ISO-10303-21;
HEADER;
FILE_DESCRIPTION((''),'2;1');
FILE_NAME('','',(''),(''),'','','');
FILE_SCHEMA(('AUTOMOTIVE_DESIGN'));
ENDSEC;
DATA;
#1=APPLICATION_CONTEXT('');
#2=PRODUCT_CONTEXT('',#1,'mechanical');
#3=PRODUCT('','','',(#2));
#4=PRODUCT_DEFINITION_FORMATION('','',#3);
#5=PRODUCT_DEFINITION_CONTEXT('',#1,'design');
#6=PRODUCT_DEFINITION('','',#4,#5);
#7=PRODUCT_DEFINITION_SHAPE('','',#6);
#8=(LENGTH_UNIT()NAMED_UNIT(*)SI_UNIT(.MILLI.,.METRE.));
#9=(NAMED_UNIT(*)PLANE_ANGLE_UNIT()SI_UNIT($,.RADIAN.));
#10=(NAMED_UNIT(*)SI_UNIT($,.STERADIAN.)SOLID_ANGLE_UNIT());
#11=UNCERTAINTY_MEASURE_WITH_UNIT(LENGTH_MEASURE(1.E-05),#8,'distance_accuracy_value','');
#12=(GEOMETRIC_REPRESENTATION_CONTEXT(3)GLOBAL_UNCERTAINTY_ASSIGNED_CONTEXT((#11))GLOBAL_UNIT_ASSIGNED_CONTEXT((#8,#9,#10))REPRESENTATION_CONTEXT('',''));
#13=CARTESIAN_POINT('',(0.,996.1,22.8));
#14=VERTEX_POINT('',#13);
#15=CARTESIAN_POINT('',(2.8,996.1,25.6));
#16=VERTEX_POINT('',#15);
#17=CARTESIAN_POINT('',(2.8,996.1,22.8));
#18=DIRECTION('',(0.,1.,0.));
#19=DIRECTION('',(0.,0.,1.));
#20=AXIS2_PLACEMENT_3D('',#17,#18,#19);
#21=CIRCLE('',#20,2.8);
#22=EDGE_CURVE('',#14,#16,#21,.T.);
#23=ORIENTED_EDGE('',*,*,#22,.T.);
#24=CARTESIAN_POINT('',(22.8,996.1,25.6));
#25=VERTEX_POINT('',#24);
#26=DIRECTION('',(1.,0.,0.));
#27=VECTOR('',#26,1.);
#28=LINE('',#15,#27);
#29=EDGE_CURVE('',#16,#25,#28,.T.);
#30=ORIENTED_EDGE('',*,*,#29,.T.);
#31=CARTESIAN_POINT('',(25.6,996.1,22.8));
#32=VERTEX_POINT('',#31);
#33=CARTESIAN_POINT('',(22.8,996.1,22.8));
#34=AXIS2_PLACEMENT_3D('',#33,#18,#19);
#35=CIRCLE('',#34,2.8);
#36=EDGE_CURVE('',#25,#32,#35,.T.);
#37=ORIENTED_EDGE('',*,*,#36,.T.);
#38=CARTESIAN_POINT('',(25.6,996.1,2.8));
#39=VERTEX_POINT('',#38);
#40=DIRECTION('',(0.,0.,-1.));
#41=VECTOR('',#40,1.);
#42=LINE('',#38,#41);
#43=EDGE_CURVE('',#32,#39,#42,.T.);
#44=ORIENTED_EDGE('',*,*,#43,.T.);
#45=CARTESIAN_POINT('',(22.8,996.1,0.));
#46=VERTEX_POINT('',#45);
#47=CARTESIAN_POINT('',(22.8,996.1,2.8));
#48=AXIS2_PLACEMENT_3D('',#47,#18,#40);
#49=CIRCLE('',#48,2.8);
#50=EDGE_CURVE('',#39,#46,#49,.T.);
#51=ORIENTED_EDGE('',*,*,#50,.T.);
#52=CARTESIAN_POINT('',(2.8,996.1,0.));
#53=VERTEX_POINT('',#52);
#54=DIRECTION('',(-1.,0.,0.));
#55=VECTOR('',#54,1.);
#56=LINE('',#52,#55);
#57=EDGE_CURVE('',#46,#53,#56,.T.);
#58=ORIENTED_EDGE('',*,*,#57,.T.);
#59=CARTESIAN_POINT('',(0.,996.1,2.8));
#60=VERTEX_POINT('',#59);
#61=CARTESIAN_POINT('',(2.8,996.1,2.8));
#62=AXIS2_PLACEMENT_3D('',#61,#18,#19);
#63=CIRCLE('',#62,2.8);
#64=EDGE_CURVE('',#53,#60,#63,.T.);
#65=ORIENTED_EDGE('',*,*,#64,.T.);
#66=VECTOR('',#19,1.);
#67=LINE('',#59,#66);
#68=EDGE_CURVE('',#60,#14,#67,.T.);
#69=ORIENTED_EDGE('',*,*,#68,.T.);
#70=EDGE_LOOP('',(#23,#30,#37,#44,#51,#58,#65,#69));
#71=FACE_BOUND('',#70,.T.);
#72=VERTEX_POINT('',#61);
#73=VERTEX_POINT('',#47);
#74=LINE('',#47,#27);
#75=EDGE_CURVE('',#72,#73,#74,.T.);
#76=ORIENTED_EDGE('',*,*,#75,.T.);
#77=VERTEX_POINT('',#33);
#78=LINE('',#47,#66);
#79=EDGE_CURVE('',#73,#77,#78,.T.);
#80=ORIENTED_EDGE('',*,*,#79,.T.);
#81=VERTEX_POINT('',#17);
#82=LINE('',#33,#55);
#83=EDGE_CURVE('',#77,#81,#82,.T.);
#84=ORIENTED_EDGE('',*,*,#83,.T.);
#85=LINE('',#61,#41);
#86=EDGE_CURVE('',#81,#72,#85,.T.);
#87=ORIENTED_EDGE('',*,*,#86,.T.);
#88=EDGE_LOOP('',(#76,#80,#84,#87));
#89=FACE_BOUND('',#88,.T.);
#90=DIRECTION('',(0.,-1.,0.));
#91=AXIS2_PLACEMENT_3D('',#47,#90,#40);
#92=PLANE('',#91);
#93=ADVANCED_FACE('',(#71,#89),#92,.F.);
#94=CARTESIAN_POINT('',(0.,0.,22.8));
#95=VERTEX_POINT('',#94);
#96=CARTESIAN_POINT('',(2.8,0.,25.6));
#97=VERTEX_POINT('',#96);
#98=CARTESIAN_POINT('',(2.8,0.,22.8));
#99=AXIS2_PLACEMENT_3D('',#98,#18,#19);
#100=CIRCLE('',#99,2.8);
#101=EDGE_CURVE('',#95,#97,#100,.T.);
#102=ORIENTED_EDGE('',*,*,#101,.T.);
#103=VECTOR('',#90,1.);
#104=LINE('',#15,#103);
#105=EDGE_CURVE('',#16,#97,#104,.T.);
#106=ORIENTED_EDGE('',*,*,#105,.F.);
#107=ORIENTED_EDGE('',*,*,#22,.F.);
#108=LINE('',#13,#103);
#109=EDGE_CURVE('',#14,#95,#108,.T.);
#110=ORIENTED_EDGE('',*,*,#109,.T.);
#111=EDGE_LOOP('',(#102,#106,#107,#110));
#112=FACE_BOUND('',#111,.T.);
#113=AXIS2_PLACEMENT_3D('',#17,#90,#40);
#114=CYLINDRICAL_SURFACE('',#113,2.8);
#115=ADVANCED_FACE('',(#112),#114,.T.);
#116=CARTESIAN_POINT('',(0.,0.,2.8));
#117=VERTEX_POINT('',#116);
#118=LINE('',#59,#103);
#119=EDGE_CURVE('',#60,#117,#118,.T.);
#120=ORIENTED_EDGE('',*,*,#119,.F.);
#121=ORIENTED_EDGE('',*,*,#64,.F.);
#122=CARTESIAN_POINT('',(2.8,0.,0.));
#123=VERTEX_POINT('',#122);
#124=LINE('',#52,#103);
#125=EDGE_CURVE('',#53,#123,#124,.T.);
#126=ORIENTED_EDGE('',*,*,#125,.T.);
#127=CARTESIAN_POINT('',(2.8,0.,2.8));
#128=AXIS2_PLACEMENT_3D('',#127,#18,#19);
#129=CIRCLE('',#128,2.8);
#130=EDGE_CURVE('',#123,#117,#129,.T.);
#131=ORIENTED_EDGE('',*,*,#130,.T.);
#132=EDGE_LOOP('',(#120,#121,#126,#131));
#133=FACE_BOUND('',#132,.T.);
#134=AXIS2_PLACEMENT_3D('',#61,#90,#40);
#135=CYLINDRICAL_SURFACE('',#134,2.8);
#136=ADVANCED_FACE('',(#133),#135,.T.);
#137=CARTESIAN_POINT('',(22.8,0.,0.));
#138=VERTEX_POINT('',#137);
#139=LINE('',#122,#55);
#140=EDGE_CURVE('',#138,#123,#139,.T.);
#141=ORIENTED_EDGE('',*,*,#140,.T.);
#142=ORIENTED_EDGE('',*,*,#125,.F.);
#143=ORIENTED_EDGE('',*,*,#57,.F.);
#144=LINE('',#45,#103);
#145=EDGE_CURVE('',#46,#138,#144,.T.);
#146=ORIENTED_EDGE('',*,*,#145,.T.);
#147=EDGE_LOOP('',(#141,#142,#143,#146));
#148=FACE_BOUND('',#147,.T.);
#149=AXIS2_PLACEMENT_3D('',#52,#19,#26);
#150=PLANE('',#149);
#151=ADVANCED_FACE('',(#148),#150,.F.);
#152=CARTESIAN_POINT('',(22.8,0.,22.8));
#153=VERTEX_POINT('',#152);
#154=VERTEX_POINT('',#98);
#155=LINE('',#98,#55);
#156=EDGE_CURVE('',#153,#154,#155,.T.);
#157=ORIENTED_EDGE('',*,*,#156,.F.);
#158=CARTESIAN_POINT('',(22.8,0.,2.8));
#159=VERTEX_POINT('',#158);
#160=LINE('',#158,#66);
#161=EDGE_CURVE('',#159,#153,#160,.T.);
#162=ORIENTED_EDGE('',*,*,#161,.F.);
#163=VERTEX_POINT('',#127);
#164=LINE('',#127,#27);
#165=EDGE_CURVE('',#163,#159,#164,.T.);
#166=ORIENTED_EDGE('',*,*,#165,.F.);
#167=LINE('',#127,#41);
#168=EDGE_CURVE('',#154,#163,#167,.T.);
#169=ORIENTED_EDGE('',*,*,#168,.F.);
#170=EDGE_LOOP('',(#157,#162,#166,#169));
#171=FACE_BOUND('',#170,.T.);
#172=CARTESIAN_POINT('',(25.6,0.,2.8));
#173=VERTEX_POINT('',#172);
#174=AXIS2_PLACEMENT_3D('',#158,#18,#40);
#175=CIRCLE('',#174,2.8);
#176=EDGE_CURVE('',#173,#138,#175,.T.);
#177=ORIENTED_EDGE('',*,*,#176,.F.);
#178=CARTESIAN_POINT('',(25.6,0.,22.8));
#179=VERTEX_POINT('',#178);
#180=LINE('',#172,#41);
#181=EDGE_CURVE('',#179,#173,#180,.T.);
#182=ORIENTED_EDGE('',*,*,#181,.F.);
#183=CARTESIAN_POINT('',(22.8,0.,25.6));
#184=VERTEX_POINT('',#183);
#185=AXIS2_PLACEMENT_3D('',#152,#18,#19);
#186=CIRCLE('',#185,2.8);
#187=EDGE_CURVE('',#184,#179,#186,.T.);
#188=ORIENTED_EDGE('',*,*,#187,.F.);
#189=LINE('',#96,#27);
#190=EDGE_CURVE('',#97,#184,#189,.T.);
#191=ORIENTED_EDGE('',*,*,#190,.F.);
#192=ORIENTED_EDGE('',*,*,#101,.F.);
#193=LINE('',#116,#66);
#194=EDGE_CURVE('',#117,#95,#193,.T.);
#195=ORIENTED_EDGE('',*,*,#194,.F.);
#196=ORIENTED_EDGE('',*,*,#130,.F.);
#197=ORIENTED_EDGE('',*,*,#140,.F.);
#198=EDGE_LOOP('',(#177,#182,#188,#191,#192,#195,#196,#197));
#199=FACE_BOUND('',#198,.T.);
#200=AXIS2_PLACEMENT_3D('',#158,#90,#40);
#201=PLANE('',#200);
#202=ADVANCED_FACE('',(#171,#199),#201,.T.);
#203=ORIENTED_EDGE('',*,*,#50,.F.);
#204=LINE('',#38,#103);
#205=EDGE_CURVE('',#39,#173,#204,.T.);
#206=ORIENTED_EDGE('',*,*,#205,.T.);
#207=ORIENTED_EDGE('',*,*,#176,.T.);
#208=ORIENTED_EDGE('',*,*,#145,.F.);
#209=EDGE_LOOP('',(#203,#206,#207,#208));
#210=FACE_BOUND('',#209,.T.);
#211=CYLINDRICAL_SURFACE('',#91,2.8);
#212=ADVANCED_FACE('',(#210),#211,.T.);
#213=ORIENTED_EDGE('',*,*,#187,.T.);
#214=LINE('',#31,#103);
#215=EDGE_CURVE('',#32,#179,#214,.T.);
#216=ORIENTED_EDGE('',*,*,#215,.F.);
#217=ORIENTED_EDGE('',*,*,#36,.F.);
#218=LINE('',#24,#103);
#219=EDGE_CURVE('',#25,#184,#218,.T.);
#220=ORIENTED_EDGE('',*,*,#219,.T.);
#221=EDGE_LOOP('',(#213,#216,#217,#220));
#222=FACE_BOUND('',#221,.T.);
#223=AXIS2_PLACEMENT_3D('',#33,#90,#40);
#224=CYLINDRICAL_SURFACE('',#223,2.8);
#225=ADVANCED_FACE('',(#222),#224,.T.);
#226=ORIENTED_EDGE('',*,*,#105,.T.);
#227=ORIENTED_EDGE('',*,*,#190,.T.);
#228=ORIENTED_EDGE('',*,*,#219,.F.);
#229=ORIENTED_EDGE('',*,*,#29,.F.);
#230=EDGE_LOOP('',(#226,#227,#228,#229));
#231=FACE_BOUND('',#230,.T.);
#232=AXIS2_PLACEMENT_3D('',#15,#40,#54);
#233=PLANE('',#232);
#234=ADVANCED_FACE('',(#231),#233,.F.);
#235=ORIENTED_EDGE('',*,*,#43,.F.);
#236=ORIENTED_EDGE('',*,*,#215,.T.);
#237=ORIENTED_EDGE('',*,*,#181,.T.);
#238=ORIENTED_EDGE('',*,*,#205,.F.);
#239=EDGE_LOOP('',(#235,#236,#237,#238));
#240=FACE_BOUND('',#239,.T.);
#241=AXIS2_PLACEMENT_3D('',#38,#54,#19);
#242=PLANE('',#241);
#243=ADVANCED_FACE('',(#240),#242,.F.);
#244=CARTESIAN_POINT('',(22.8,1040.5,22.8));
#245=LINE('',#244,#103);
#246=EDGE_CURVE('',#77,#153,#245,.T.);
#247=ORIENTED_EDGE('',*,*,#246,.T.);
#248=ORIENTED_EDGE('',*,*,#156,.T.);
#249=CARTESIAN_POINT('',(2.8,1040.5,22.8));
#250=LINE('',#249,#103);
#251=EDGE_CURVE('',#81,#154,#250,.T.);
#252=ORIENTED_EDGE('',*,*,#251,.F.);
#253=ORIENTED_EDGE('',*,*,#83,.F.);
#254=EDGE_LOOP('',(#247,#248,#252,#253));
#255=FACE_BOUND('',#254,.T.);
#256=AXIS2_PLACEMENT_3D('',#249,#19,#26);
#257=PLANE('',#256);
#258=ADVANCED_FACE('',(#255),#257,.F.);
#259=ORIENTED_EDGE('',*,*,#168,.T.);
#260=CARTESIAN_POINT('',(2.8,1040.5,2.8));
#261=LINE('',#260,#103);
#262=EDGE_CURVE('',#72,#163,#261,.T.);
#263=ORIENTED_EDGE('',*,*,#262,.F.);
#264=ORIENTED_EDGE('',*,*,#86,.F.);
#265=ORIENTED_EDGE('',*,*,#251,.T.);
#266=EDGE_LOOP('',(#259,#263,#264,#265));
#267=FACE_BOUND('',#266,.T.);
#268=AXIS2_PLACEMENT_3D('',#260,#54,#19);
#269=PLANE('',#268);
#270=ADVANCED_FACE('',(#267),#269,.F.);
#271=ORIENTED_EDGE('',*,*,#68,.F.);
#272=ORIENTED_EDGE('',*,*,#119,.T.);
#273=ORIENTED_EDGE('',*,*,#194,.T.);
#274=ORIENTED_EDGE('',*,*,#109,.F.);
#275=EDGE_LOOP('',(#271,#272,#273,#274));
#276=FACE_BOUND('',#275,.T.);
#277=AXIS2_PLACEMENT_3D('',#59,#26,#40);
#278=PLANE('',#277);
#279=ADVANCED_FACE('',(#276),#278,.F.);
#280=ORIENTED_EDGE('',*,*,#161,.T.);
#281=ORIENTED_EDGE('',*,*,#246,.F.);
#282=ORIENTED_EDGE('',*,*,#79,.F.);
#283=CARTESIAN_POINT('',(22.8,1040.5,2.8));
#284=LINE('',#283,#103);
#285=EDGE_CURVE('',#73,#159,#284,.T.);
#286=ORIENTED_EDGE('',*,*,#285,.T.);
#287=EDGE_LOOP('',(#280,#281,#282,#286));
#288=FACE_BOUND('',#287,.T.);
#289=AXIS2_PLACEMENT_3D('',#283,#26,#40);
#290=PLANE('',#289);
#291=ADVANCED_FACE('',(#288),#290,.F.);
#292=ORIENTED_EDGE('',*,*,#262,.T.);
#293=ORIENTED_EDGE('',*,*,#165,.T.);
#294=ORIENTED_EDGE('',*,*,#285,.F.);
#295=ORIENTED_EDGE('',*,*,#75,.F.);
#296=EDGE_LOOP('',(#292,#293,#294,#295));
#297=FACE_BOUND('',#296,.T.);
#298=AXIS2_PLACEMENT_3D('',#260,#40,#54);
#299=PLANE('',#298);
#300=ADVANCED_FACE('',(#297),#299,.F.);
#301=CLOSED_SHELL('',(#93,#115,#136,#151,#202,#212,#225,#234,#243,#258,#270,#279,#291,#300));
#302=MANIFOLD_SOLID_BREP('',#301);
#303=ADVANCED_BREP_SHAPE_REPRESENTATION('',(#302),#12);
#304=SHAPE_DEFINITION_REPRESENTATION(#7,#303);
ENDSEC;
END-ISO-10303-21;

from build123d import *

# Parameters (mm, degrees)
BOSS_EXTRUDE1_DEPTH = 996.1
SKETCH3_W           = 20
SKETCH3_H           = 20
CUT_EXTRUDE1_DEPTH  = 1040.5


with BuildPart() as part:
    # Sketch1 → Boss-Extrude1 (new body)
    with BuildSketch(Plane(origin=(0, 0, 0), x_dir=(1, 0, 0), z_dir=(0, 1, 0))):
        with BuildLine():
            Line((2.8, 0), (22.8, 0))
            ThreePointArc((22.8, 0), (24.779898987, -0.820101013), (25.6, -2.8))
            Line((25.6, -2.8), (25.6, -22.8))
            ThreePointArc((25.6, -22.8), (24.779898987, -24.779898987), (22.8, -25.6))
            Line((22.8, -25.6), (2.8, -25.6))
            ThreePointArc((2.8, -25.6), (0.820101013, -24.779898987), (0, -22.8))
            Line((0, -22.8), (0, -2.8))
            ThreePointArc((0, -2.8), (0.820101013, -0.820101013), (2.8, 0))
        make_face()
    extrude(amount=BOSS_EXTRUDE1_DEPTH)

    # Sketch3 → Cut-Extrude1 (cut)
    with BuildSketch(Plane(origin=(0, 0, 0), x_dir=(-1, 0, 0), z_dir=(0, -1, 0))):
        with Locations((-12.8, -12.8)):
            Rectangle(SKETCH3_W, SKETCH3_H)
    extrude(amount=-CUT_EXTRUDE1_DEPTH, mode=Mode.SUBTRACT)


solid = part.part
